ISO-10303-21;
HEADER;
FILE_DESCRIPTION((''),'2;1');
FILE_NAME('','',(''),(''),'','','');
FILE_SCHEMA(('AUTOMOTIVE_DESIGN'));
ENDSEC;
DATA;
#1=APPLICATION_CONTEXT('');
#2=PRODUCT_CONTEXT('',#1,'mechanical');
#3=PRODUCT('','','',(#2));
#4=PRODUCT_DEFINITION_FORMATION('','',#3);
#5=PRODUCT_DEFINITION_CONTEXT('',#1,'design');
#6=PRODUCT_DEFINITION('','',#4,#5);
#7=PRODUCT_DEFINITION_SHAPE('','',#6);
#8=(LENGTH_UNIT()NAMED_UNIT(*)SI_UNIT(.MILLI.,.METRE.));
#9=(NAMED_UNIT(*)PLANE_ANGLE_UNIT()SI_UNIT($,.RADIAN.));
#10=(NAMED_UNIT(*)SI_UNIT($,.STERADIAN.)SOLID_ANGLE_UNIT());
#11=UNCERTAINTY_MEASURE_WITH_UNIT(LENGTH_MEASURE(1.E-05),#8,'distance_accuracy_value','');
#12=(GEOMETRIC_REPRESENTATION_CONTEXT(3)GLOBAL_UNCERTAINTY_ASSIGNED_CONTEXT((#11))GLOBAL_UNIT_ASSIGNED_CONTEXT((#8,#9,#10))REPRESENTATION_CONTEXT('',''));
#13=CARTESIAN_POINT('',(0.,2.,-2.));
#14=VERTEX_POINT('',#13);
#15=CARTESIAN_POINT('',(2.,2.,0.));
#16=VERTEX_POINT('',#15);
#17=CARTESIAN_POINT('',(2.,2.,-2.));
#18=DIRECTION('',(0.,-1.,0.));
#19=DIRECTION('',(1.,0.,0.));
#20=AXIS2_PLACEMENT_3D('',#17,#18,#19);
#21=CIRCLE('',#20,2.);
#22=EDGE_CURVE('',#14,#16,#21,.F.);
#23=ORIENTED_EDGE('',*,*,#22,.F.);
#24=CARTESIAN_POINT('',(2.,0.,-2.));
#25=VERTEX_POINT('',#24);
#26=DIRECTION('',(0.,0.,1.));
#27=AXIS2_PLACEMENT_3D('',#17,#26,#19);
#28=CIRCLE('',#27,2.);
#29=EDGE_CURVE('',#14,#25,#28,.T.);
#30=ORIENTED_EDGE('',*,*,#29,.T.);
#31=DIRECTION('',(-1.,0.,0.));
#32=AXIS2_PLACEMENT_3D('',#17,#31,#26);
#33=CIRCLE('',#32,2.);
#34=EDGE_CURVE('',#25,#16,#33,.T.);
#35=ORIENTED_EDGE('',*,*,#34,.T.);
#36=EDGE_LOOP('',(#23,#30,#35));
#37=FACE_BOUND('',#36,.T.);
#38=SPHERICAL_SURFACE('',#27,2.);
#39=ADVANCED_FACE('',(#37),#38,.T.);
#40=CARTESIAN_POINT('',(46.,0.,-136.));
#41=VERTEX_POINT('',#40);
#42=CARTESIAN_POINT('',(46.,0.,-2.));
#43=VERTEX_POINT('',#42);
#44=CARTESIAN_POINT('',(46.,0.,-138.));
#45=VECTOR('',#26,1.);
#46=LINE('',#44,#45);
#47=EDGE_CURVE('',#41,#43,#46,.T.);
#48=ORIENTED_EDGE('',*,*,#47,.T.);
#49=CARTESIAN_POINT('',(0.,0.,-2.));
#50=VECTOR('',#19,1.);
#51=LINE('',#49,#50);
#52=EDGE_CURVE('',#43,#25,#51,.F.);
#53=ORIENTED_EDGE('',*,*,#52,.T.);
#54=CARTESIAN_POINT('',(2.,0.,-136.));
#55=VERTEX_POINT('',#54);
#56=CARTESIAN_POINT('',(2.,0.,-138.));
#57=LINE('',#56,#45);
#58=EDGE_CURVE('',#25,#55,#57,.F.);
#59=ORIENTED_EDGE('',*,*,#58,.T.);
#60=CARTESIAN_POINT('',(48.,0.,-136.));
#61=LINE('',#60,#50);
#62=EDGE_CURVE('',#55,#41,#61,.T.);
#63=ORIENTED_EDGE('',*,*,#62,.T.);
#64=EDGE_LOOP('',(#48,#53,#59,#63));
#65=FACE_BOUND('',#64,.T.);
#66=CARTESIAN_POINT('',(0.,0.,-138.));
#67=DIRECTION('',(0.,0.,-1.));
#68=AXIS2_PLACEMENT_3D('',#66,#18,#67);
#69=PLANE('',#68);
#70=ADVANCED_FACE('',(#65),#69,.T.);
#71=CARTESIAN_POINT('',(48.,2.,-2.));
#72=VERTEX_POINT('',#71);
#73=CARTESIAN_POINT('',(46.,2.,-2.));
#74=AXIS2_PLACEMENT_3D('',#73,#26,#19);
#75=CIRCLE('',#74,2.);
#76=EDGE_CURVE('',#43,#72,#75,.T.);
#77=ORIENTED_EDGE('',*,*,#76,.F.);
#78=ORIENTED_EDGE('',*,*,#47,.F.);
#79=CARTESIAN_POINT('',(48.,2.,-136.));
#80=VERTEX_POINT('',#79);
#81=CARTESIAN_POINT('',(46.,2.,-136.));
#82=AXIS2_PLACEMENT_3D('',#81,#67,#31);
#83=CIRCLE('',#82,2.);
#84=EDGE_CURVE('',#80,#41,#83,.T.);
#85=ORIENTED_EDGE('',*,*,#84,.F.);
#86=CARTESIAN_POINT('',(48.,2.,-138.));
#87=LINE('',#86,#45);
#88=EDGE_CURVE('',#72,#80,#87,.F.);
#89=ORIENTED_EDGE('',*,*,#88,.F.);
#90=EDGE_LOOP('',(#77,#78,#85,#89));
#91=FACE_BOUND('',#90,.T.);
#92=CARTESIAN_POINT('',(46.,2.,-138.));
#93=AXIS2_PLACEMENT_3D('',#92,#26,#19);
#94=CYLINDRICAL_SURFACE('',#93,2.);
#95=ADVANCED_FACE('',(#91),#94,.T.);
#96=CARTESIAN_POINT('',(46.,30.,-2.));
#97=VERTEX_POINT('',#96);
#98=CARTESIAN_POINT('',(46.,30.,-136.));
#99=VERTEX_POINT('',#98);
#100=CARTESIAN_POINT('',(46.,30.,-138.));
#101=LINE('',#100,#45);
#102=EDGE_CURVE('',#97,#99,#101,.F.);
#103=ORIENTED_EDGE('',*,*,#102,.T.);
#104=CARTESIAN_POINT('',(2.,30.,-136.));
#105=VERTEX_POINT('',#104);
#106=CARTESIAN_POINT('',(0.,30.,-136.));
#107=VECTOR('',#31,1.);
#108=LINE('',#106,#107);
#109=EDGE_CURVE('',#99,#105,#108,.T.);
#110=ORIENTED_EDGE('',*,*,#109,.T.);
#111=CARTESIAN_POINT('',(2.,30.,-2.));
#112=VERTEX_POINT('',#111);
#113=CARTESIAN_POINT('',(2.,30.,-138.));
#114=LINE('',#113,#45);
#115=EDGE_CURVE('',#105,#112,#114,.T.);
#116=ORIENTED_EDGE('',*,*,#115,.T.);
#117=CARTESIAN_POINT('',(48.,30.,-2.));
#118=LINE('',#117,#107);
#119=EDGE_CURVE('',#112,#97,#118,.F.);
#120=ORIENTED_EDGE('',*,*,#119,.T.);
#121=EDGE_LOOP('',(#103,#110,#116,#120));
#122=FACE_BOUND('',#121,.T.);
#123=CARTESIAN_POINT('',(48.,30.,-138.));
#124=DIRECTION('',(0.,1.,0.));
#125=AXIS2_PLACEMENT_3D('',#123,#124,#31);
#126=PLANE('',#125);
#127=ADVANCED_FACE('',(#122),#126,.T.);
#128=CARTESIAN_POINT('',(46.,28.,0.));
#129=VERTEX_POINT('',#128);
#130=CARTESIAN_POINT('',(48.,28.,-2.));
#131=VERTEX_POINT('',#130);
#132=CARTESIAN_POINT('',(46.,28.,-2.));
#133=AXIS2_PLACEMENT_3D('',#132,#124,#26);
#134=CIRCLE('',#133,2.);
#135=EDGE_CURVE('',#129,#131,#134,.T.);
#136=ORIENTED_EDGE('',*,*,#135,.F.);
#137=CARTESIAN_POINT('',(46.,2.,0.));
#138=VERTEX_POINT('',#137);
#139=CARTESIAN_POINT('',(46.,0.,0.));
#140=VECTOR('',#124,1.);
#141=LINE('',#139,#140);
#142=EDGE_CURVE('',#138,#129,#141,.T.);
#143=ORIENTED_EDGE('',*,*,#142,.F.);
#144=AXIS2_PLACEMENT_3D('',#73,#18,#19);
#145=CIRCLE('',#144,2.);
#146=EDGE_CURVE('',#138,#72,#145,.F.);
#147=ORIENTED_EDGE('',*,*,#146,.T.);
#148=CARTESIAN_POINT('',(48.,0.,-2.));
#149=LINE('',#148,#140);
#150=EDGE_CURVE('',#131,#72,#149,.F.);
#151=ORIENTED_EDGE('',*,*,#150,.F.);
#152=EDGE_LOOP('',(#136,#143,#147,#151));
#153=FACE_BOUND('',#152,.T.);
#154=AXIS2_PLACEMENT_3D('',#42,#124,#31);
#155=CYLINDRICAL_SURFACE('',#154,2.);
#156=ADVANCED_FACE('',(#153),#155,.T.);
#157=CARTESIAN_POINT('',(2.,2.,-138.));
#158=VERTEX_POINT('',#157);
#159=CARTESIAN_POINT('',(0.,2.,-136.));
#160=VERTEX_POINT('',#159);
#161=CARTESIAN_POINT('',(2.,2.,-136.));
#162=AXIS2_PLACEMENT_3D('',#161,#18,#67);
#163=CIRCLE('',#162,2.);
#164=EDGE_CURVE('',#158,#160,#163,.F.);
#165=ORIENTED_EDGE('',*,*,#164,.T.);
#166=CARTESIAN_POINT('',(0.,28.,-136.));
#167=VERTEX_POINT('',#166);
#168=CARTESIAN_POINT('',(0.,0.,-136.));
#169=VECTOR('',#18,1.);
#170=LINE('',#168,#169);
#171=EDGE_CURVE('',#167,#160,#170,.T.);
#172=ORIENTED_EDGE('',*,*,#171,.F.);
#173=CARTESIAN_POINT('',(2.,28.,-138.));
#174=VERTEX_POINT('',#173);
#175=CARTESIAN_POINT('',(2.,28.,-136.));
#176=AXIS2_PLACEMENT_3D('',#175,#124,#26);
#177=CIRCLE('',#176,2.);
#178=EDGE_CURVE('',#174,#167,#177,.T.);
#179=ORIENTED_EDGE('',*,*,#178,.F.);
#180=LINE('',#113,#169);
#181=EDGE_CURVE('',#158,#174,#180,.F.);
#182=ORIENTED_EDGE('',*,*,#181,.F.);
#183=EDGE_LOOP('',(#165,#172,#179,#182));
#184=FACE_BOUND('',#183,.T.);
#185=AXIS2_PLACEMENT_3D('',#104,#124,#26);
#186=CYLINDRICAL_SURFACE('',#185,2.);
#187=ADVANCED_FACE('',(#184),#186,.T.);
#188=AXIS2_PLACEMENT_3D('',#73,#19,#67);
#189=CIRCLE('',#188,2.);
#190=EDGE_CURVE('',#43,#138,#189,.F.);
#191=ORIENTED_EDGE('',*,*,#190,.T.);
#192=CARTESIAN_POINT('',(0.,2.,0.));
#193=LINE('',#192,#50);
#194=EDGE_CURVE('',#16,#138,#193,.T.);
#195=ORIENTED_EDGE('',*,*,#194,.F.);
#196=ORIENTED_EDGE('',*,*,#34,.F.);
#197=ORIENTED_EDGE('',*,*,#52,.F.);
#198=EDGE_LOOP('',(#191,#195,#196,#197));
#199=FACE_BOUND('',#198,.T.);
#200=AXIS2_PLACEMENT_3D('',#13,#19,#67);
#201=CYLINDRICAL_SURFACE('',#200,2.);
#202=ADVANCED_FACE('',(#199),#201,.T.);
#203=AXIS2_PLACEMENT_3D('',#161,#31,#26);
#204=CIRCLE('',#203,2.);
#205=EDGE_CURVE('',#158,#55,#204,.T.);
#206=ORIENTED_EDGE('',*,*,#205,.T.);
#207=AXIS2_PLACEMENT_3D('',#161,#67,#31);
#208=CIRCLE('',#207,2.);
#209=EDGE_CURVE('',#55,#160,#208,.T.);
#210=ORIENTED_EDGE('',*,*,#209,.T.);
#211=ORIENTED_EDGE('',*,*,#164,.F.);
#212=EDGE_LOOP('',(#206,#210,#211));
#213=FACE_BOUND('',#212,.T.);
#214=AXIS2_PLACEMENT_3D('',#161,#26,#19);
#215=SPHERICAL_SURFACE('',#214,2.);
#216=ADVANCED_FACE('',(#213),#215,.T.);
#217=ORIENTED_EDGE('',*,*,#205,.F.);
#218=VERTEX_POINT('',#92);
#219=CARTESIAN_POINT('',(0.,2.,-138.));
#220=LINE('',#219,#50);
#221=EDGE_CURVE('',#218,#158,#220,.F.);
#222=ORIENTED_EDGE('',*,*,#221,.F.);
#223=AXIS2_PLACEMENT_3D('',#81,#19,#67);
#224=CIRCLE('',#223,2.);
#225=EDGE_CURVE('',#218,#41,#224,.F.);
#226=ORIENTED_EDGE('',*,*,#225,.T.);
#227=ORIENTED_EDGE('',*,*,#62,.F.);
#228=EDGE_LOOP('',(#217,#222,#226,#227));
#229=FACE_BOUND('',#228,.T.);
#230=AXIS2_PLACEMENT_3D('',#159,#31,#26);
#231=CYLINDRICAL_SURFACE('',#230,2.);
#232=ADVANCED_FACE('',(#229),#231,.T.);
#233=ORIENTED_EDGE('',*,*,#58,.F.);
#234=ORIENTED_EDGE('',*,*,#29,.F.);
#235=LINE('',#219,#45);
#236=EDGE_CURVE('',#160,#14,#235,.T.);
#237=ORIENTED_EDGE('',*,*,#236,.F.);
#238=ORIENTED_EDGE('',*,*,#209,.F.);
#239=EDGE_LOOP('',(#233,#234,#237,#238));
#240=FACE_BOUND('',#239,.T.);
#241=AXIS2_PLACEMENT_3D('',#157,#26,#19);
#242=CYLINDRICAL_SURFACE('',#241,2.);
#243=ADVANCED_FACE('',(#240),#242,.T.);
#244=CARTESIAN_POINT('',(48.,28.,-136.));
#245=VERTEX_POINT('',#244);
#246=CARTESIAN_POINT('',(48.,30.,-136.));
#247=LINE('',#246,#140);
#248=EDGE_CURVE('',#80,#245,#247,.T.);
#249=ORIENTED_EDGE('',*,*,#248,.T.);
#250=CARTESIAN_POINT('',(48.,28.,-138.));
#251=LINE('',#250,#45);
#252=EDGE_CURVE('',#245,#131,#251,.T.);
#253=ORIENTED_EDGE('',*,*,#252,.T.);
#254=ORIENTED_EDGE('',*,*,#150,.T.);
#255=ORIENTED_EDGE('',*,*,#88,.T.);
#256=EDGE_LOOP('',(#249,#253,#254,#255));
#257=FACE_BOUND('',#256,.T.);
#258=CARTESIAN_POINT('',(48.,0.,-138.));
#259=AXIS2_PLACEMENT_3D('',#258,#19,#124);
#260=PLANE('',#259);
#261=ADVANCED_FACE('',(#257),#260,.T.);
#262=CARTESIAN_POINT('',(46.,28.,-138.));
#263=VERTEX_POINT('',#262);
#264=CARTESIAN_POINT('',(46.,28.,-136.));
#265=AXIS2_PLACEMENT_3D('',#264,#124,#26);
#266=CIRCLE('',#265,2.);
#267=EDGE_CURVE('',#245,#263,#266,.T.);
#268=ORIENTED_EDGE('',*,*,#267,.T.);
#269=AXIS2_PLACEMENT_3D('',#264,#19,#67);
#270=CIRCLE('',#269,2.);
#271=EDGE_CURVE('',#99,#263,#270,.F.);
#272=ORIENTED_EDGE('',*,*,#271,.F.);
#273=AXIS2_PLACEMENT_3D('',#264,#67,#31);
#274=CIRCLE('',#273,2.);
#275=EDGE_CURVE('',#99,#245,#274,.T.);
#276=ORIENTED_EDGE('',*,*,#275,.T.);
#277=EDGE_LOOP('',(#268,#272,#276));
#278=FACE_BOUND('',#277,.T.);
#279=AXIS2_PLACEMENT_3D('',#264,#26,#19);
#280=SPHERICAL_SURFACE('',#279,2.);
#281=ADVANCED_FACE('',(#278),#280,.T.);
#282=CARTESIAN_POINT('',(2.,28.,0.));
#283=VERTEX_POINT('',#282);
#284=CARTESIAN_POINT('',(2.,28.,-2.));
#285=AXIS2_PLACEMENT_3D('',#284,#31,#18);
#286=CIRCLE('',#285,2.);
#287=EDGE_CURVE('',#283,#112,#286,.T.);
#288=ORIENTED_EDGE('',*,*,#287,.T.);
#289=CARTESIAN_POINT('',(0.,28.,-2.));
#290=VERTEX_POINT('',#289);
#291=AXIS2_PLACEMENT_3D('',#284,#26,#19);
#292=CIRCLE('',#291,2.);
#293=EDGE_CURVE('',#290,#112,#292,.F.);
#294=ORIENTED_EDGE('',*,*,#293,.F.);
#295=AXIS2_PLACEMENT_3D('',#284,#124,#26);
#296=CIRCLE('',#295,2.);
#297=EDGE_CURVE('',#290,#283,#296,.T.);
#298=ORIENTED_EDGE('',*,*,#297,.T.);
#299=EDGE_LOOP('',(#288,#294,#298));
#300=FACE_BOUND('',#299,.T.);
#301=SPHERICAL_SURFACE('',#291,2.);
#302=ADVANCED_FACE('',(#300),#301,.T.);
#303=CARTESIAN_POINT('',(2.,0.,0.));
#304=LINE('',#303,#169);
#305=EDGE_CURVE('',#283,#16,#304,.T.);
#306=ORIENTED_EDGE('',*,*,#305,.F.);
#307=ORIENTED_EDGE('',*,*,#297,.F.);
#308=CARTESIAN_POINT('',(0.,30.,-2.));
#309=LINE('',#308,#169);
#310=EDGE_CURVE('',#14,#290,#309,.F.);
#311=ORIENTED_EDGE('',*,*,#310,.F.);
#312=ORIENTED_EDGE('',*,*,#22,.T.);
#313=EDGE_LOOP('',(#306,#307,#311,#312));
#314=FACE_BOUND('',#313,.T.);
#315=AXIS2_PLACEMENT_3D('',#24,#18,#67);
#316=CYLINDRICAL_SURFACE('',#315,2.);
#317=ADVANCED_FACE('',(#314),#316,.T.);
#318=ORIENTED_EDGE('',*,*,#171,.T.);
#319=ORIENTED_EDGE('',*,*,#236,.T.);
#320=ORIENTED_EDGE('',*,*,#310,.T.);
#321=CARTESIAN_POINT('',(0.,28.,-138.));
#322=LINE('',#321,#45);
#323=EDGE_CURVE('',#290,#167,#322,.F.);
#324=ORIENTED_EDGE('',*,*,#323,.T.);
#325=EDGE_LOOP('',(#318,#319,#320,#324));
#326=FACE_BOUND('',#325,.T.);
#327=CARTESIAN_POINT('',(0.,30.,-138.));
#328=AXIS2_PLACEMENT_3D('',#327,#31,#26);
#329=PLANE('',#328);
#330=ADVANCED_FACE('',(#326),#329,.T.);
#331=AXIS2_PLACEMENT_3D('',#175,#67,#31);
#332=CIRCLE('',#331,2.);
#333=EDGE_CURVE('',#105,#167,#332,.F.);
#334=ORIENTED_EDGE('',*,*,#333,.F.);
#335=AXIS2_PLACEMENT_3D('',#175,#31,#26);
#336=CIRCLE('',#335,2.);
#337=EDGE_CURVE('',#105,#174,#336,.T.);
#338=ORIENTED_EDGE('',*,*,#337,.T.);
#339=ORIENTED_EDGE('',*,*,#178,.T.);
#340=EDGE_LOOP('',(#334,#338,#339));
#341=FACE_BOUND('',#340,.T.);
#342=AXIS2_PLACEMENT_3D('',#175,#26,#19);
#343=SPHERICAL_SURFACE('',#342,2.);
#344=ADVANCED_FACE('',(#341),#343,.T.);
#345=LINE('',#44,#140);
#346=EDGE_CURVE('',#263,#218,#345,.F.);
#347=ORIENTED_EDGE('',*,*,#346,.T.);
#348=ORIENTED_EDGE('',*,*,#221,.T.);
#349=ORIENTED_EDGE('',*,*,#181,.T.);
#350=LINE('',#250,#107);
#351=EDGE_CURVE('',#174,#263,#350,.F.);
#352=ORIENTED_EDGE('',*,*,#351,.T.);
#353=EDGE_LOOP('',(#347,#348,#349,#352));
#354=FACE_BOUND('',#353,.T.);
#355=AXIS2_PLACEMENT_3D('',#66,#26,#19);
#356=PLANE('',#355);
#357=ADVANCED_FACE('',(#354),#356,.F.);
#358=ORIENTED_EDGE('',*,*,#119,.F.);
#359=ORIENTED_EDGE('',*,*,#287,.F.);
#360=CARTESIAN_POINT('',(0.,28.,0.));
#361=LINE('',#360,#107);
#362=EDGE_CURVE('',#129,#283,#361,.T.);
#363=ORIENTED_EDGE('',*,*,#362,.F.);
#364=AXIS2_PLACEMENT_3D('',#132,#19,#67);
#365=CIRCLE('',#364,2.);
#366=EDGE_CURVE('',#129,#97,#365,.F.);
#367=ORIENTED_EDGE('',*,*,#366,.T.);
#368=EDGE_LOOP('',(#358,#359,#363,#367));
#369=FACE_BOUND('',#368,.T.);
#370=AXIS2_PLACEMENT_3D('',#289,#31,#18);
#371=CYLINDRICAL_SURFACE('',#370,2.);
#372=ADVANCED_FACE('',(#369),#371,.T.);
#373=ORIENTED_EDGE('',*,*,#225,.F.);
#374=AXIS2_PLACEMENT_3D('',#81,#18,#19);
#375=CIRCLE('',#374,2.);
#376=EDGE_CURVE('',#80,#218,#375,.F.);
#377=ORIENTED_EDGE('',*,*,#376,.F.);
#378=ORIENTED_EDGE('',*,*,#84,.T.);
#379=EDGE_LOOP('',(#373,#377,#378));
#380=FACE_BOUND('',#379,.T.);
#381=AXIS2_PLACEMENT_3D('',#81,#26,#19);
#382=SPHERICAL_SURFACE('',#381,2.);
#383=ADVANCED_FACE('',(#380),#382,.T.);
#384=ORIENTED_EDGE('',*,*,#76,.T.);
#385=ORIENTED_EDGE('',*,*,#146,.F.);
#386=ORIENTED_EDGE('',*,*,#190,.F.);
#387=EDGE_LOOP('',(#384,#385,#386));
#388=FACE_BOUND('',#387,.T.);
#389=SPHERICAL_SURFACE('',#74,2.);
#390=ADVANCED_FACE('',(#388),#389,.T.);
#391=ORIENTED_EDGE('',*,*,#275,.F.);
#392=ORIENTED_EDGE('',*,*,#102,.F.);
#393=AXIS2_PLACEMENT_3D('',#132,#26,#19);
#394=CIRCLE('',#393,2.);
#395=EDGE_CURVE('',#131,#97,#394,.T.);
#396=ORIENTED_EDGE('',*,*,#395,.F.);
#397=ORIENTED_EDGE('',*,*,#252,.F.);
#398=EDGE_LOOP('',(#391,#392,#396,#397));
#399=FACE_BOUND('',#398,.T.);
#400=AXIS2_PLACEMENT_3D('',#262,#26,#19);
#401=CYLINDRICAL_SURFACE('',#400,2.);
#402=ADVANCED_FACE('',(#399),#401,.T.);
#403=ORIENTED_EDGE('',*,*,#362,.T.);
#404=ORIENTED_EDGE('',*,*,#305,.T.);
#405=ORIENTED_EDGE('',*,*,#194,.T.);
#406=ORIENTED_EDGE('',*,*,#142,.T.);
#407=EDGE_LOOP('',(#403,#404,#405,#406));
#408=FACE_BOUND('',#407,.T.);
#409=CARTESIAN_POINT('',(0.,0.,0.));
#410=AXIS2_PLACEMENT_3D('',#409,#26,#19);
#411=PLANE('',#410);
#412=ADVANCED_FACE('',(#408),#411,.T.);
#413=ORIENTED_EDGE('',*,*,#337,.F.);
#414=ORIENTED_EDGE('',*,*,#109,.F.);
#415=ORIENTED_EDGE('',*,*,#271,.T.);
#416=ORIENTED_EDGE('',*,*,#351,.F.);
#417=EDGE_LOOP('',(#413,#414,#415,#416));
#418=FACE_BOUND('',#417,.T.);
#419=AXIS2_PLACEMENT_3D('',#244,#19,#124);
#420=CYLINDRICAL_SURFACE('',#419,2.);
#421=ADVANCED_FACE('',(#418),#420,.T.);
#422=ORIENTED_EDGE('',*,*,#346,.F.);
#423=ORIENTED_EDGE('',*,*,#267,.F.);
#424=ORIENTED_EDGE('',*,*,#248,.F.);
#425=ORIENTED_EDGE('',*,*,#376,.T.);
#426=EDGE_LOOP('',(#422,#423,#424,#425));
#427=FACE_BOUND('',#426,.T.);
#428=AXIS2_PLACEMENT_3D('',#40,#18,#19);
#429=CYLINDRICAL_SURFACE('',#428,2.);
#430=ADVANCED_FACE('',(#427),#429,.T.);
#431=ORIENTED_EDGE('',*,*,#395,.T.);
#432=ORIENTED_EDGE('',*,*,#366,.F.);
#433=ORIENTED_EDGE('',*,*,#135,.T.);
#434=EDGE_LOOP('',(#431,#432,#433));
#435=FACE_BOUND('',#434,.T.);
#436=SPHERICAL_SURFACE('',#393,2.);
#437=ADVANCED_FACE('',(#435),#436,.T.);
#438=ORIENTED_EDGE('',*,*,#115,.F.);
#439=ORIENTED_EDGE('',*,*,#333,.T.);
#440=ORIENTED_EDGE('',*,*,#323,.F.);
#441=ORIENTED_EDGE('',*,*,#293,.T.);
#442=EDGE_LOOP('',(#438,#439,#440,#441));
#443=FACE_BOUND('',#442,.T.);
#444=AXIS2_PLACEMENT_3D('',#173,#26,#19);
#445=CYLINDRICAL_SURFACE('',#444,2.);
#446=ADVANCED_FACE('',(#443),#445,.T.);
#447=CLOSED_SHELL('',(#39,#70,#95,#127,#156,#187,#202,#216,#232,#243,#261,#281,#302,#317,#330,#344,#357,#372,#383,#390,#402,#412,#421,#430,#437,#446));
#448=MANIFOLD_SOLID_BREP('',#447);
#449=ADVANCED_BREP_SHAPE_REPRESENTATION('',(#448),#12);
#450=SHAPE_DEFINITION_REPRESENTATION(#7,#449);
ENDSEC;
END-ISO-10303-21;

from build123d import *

# Parameters (mm, degrees)
SKETCH_1_W      = 48
SKETCH_1_H      = 30
EXTRUDE_1_DEPTH = 138
FILLET_1_R      = 2


with BuildPart() as part:
    # Эскиз1 → Бобышка-Вытянуть1 (new body)
    with BuildSketch(Plane.XY):
        with Locations((24, 15)):
            Rectangle(SKETCH_1_W, SKETCH_1_H)
    extrude(amount=-EXTRUDE_1_DEPTH)

    # Скругление1
    fillet_1_edges = [part.edges().sort_by_distance(p)[0] for p in [
        (24, 0, -138),
        (48, 15, -138),
        (24, 30, -138),
        (48, 15, 0),
        (24, 0, 0),
        (0, 15, 0),
        (24, 30, 0),
        (0, 15, -138),
        (48, 30, -69),
        (48, 0, -69),
        (0, 0, -69),
        (0, 30, -69),
    ]]
    fillet(fillet_1_edges, radius=FILLET_1_R)


solid = part.part
